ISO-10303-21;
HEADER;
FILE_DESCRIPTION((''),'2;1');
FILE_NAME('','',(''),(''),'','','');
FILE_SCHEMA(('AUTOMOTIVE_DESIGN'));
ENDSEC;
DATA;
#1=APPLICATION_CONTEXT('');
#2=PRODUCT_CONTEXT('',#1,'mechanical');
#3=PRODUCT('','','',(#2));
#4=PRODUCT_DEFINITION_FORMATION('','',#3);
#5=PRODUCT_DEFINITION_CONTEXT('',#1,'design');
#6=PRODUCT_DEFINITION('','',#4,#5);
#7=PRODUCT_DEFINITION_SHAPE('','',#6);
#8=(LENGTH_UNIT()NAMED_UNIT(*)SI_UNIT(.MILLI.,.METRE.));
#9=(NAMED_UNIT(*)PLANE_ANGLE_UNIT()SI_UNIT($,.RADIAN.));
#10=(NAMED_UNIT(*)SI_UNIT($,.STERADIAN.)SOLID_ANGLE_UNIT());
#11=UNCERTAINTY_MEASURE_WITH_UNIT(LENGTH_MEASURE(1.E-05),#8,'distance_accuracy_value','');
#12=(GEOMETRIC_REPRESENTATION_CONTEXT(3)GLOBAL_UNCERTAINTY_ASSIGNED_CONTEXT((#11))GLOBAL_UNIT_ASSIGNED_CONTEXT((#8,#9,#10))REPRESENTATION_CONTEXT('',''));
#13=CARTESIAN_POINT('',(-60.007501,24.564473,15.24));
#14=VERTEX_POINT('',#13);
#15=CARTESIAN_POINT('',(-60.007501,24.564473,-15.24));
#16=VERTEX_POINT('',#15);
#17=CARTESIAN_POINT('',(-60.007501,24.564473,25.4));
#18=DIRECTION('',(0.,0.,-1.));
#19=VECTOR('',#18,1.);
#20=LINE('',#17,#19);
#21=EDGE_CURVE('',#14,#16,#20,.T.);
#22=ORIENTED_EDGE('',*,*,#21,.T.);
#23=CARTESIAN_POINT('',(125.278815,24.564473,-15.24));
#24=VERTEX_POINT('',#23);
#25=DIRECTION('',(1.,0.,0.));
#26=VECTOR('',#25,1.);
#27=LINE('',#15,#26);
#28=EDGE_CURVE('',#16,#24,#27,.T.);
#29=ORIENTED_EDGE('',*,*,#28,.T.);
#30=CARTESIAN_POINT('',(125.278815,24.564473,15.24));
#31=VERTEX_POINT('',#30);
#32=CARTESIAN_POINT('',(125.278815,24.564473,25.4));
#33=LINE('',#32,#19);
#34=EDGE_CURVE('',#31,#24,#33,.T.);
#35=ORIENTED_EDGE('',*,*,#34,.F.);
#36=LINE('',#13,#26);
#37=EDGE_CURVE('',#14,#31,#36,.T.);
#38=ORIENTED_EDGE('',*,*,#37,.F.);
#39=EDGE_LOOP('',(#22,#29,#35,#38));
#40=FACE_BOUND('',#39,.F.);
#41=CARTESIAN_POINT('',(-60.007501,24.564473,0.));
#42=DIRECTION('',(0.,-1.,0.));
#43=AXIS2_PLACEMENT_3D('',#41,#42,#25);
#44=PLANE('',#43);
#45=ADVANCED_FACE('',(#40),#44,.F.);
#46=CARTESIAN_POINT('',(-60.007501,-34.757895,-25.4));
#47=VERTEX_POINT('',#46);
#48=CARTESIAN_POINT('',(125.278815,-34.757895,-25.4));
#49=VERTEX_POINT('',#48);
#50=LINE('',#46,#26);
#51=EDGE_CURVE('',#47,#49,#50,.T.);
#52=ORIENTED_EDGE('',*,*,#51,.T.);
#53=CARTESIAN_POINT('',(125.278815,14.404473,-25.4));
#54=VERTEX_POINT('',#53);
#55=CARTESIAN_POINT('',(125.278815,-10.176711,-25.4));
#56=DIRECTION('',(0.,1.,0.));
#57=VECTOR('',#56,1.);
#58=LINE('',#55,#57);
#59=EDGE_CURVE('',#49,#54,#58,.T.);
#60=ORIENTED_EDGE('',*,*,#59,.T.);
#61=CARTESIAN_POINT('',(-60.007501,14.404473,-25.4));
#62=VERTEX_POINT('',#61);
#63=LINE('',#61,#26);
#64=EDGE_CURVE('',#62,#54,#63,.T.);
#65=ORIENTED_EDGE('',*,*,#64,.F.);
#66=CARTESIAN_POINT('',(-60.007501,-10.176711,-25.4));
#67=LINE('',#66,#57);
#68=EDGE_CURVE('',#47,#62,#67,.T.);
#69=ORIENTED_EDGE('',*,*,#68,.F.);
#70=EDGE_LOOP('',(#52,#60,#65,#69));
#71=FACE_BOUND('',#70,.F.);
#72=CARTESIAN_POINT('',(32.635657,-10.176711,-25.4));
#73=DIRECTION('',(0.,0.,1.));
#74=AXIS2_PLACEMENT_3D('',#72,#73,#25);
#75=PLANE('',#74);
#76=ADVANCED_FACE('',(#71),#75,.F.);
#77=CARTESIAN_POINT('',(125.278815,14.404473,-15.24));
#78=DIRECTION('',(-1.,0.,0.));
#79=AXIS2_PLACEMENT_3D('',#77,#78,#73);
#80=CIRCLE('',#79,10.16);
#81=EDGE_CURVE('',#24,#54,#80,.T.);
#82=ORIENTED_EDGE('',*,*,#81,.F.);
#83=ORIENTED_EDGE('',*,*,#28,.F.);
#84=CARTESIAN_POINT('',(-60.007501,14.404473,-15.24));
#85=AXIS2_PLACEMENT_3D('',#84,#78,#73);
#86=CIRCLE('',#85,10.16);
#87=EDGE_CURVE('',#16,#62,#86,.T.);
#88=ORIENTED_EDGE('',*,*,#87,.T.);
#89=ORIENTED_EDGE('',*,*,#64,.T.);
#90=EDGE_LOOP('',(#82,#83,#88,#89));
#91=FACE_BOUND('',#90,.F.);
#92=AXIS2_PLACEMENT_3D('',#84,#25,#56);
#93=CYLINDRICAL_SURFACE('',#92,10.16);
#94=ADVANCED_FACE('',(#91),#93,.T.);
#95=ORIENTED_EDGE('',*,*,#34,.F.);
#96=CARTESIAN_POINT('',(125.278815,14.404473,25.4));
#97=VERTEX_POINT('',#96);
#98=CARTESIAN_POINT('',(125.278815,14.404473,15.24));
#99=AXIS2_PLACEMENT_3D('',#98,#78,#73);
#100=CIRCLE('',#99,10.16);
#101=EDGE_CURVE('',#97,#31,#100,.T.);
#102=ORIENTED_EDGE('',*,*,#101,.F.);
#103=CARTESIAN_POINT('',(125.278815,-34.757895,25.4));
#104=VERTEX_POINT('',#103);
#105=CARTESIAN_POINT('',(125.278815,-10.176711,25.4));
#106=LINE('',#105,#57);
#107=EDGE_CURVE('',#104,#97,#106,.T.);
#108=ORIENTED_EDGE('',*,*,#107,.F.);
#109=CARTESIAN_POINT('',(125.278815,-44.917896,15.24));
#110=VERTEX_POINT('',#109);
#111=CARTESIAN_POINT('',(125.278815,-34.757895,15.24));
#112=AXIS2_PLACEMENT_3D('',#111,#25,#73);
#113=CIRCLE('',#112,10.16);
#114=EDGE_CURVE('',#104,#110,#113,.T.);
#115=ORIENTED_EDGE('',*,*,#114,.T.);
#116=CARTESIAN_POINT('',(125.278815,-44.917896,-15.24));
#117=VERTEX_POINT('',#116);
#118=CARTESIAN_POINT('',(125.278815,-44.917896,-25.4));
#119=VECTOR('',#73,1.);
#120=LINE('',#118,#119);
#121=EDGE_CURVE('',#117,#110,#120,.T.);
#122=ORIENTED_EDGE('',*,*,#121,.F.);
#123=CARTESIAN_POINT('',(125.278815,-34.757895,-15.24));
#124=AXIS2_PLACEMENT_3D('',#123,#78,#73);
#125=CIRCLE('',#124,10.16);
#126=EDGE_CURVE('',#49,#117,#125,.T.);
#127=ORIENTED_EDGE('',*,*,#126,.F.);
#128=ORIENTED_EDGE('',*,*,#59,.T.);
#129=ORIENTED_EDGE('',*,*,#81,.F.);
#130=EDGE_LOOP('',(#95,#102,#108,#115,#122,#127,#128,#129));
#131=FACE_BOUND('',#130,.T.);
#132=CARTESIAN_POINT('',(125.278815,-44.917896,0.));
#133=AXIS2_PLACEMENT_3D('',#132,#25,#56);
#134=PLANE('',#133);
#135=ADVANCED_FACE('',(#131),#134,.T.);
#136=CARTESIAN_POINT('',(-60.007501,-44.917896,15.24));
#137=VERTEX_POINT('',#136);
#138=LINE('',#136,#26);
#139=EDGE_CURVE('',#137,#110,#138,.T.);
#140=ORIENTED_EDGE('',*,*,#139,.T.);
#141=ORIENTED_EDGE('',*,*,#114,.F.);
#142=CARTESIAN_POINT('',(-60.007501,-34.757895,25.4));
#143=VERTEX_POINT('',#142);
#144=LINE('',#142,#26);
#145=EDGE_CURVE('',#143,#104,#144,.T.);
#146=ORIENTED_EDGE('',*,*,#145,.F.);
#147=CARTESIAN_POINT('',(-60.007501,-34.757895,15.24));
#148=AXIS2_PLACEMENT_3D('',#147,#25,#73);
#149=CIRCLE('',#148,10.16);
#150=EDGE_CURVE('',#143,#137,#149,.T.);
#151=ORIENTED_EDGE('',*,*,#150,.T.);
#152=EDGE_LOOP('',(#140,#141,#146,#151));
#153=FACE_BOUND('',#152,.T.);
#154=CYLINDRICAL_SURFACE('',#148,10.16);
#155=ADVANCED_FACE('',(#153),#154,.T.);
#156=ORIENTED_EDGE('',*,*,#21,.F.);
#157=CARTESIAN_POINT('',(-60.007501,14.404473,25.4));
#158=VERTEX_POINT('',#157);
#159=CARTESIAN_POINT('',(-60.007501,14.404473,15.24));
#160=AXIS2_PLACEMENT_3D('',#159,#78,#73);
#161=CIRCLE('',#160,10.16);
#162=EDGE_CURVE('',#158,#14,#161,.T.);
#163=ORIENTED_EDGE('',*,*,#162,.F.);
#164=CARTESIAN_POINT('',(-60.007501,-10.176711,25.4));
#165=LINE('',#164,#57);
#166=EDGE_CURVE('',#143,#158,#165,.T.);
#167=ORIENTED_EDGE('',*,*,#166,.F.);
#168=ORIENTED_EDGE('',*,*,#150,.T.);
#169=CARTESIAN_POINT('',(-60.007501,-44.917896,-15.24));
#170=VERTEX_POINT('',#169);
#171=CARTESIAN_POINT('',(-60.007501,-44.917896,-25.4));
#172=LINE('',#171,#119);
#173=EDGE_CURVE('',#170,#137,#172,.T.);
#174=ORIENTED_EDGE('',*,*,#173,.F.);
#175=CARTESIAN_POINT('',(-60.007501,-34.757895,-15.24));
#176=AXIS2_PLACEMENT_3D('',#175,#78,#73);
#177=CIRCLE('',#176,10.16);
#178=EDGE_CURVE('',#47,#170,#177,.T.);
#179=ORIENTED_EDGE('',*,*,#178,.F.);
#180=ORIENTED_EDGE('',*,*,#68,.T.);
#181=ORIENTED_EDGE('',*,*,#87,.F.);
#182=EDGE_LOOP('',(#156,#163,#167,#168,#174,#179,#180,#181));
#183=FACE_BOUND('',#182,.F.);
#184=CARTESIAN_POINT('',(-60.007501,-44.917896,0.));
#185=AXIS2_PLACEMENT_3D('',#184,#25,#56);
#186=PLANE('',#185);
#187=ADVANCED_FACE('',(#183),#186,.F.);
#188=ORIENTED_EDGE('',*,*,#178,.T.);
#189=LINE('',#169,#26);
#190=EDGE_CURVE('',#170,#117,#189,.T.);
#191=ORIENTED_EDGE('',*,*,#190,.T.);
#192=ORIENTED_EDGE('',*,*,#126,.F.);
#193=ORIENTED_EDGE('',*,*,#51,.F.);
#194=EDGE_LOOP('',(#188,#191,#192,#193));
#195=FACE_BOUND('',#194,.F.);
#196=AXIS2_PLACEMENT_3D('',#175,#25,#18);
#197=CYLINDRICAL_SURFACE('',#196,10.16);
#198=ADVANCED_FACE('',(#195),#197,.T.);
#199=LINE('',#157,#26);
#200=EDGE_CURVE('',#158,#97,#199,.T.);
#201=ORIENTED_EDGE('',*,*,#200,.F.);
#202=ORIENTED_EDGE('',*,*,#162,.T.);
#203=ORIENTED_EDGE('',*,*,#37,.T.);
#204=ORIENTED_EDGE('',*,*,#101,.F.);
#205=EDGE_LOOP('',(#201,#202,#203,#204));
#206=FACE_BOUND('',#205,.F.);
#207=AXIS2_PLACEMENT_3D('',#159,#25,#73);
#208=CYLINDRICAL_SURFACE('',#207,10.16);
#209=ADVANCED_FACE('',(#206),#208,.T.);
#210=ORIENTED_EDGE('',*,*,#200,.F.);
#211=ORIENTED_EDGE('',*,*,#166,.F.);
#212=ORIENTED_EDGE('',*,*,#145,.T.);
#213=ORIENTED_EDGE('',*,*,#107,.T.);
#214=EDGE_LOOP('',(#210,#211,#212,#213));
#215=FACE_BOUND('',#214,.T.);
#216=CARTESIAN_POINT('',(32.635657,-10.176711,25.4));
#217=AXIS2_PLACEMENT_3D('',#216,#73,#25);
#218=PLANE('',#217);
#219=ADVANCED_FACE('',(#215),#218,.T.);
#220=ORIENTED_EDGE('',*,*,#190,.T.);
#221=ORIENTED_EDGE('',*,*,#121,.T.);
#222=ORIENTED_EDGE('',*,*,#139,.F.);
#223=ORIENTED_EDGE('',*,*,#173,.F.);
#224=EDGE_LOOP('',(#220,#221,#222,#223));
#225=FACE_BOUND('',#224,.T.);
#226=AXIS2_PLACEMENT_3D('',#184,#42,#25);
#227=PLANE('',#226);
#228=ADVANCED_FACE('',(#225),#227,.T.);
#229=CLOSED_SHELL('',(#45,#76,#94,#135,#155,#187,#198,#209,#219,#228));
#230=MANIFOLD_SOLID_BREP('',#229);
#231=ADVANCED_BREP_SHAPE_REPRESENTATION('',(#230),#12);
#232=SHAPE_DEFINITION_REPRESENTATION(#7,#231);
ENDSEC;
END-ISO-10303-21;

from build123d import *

# Parameters (mm, degrees)
F0_W     = 185.286317
F0_H     = 69.482369
F1_DEPTH = 25.4
F2_R     = 10.16


with BuildPart() as f1:
    # F0 (on Top) → F1 (new body, symmetric)
    with BuildSketch(Plane.XY):
        with Locations((32.635657, -10.176711)):
            Rectangle(F0_W, F0_H)
    extrude(amount=F1_DEPTH, both=True)

    # F2
    f2_edges = [f1.edges().sort_by_distance(p)[0] for p in [
        (32.635657, -44.917896, 25.4),
        (32.635657, 24.564473, 25.4),
        (32.635657, -44.917896, -25.4),
        (32.635657, 24.564473, -25.4),
    ]]
    fillet(f2_edges, radius=F2_R)


solid = f1.part
